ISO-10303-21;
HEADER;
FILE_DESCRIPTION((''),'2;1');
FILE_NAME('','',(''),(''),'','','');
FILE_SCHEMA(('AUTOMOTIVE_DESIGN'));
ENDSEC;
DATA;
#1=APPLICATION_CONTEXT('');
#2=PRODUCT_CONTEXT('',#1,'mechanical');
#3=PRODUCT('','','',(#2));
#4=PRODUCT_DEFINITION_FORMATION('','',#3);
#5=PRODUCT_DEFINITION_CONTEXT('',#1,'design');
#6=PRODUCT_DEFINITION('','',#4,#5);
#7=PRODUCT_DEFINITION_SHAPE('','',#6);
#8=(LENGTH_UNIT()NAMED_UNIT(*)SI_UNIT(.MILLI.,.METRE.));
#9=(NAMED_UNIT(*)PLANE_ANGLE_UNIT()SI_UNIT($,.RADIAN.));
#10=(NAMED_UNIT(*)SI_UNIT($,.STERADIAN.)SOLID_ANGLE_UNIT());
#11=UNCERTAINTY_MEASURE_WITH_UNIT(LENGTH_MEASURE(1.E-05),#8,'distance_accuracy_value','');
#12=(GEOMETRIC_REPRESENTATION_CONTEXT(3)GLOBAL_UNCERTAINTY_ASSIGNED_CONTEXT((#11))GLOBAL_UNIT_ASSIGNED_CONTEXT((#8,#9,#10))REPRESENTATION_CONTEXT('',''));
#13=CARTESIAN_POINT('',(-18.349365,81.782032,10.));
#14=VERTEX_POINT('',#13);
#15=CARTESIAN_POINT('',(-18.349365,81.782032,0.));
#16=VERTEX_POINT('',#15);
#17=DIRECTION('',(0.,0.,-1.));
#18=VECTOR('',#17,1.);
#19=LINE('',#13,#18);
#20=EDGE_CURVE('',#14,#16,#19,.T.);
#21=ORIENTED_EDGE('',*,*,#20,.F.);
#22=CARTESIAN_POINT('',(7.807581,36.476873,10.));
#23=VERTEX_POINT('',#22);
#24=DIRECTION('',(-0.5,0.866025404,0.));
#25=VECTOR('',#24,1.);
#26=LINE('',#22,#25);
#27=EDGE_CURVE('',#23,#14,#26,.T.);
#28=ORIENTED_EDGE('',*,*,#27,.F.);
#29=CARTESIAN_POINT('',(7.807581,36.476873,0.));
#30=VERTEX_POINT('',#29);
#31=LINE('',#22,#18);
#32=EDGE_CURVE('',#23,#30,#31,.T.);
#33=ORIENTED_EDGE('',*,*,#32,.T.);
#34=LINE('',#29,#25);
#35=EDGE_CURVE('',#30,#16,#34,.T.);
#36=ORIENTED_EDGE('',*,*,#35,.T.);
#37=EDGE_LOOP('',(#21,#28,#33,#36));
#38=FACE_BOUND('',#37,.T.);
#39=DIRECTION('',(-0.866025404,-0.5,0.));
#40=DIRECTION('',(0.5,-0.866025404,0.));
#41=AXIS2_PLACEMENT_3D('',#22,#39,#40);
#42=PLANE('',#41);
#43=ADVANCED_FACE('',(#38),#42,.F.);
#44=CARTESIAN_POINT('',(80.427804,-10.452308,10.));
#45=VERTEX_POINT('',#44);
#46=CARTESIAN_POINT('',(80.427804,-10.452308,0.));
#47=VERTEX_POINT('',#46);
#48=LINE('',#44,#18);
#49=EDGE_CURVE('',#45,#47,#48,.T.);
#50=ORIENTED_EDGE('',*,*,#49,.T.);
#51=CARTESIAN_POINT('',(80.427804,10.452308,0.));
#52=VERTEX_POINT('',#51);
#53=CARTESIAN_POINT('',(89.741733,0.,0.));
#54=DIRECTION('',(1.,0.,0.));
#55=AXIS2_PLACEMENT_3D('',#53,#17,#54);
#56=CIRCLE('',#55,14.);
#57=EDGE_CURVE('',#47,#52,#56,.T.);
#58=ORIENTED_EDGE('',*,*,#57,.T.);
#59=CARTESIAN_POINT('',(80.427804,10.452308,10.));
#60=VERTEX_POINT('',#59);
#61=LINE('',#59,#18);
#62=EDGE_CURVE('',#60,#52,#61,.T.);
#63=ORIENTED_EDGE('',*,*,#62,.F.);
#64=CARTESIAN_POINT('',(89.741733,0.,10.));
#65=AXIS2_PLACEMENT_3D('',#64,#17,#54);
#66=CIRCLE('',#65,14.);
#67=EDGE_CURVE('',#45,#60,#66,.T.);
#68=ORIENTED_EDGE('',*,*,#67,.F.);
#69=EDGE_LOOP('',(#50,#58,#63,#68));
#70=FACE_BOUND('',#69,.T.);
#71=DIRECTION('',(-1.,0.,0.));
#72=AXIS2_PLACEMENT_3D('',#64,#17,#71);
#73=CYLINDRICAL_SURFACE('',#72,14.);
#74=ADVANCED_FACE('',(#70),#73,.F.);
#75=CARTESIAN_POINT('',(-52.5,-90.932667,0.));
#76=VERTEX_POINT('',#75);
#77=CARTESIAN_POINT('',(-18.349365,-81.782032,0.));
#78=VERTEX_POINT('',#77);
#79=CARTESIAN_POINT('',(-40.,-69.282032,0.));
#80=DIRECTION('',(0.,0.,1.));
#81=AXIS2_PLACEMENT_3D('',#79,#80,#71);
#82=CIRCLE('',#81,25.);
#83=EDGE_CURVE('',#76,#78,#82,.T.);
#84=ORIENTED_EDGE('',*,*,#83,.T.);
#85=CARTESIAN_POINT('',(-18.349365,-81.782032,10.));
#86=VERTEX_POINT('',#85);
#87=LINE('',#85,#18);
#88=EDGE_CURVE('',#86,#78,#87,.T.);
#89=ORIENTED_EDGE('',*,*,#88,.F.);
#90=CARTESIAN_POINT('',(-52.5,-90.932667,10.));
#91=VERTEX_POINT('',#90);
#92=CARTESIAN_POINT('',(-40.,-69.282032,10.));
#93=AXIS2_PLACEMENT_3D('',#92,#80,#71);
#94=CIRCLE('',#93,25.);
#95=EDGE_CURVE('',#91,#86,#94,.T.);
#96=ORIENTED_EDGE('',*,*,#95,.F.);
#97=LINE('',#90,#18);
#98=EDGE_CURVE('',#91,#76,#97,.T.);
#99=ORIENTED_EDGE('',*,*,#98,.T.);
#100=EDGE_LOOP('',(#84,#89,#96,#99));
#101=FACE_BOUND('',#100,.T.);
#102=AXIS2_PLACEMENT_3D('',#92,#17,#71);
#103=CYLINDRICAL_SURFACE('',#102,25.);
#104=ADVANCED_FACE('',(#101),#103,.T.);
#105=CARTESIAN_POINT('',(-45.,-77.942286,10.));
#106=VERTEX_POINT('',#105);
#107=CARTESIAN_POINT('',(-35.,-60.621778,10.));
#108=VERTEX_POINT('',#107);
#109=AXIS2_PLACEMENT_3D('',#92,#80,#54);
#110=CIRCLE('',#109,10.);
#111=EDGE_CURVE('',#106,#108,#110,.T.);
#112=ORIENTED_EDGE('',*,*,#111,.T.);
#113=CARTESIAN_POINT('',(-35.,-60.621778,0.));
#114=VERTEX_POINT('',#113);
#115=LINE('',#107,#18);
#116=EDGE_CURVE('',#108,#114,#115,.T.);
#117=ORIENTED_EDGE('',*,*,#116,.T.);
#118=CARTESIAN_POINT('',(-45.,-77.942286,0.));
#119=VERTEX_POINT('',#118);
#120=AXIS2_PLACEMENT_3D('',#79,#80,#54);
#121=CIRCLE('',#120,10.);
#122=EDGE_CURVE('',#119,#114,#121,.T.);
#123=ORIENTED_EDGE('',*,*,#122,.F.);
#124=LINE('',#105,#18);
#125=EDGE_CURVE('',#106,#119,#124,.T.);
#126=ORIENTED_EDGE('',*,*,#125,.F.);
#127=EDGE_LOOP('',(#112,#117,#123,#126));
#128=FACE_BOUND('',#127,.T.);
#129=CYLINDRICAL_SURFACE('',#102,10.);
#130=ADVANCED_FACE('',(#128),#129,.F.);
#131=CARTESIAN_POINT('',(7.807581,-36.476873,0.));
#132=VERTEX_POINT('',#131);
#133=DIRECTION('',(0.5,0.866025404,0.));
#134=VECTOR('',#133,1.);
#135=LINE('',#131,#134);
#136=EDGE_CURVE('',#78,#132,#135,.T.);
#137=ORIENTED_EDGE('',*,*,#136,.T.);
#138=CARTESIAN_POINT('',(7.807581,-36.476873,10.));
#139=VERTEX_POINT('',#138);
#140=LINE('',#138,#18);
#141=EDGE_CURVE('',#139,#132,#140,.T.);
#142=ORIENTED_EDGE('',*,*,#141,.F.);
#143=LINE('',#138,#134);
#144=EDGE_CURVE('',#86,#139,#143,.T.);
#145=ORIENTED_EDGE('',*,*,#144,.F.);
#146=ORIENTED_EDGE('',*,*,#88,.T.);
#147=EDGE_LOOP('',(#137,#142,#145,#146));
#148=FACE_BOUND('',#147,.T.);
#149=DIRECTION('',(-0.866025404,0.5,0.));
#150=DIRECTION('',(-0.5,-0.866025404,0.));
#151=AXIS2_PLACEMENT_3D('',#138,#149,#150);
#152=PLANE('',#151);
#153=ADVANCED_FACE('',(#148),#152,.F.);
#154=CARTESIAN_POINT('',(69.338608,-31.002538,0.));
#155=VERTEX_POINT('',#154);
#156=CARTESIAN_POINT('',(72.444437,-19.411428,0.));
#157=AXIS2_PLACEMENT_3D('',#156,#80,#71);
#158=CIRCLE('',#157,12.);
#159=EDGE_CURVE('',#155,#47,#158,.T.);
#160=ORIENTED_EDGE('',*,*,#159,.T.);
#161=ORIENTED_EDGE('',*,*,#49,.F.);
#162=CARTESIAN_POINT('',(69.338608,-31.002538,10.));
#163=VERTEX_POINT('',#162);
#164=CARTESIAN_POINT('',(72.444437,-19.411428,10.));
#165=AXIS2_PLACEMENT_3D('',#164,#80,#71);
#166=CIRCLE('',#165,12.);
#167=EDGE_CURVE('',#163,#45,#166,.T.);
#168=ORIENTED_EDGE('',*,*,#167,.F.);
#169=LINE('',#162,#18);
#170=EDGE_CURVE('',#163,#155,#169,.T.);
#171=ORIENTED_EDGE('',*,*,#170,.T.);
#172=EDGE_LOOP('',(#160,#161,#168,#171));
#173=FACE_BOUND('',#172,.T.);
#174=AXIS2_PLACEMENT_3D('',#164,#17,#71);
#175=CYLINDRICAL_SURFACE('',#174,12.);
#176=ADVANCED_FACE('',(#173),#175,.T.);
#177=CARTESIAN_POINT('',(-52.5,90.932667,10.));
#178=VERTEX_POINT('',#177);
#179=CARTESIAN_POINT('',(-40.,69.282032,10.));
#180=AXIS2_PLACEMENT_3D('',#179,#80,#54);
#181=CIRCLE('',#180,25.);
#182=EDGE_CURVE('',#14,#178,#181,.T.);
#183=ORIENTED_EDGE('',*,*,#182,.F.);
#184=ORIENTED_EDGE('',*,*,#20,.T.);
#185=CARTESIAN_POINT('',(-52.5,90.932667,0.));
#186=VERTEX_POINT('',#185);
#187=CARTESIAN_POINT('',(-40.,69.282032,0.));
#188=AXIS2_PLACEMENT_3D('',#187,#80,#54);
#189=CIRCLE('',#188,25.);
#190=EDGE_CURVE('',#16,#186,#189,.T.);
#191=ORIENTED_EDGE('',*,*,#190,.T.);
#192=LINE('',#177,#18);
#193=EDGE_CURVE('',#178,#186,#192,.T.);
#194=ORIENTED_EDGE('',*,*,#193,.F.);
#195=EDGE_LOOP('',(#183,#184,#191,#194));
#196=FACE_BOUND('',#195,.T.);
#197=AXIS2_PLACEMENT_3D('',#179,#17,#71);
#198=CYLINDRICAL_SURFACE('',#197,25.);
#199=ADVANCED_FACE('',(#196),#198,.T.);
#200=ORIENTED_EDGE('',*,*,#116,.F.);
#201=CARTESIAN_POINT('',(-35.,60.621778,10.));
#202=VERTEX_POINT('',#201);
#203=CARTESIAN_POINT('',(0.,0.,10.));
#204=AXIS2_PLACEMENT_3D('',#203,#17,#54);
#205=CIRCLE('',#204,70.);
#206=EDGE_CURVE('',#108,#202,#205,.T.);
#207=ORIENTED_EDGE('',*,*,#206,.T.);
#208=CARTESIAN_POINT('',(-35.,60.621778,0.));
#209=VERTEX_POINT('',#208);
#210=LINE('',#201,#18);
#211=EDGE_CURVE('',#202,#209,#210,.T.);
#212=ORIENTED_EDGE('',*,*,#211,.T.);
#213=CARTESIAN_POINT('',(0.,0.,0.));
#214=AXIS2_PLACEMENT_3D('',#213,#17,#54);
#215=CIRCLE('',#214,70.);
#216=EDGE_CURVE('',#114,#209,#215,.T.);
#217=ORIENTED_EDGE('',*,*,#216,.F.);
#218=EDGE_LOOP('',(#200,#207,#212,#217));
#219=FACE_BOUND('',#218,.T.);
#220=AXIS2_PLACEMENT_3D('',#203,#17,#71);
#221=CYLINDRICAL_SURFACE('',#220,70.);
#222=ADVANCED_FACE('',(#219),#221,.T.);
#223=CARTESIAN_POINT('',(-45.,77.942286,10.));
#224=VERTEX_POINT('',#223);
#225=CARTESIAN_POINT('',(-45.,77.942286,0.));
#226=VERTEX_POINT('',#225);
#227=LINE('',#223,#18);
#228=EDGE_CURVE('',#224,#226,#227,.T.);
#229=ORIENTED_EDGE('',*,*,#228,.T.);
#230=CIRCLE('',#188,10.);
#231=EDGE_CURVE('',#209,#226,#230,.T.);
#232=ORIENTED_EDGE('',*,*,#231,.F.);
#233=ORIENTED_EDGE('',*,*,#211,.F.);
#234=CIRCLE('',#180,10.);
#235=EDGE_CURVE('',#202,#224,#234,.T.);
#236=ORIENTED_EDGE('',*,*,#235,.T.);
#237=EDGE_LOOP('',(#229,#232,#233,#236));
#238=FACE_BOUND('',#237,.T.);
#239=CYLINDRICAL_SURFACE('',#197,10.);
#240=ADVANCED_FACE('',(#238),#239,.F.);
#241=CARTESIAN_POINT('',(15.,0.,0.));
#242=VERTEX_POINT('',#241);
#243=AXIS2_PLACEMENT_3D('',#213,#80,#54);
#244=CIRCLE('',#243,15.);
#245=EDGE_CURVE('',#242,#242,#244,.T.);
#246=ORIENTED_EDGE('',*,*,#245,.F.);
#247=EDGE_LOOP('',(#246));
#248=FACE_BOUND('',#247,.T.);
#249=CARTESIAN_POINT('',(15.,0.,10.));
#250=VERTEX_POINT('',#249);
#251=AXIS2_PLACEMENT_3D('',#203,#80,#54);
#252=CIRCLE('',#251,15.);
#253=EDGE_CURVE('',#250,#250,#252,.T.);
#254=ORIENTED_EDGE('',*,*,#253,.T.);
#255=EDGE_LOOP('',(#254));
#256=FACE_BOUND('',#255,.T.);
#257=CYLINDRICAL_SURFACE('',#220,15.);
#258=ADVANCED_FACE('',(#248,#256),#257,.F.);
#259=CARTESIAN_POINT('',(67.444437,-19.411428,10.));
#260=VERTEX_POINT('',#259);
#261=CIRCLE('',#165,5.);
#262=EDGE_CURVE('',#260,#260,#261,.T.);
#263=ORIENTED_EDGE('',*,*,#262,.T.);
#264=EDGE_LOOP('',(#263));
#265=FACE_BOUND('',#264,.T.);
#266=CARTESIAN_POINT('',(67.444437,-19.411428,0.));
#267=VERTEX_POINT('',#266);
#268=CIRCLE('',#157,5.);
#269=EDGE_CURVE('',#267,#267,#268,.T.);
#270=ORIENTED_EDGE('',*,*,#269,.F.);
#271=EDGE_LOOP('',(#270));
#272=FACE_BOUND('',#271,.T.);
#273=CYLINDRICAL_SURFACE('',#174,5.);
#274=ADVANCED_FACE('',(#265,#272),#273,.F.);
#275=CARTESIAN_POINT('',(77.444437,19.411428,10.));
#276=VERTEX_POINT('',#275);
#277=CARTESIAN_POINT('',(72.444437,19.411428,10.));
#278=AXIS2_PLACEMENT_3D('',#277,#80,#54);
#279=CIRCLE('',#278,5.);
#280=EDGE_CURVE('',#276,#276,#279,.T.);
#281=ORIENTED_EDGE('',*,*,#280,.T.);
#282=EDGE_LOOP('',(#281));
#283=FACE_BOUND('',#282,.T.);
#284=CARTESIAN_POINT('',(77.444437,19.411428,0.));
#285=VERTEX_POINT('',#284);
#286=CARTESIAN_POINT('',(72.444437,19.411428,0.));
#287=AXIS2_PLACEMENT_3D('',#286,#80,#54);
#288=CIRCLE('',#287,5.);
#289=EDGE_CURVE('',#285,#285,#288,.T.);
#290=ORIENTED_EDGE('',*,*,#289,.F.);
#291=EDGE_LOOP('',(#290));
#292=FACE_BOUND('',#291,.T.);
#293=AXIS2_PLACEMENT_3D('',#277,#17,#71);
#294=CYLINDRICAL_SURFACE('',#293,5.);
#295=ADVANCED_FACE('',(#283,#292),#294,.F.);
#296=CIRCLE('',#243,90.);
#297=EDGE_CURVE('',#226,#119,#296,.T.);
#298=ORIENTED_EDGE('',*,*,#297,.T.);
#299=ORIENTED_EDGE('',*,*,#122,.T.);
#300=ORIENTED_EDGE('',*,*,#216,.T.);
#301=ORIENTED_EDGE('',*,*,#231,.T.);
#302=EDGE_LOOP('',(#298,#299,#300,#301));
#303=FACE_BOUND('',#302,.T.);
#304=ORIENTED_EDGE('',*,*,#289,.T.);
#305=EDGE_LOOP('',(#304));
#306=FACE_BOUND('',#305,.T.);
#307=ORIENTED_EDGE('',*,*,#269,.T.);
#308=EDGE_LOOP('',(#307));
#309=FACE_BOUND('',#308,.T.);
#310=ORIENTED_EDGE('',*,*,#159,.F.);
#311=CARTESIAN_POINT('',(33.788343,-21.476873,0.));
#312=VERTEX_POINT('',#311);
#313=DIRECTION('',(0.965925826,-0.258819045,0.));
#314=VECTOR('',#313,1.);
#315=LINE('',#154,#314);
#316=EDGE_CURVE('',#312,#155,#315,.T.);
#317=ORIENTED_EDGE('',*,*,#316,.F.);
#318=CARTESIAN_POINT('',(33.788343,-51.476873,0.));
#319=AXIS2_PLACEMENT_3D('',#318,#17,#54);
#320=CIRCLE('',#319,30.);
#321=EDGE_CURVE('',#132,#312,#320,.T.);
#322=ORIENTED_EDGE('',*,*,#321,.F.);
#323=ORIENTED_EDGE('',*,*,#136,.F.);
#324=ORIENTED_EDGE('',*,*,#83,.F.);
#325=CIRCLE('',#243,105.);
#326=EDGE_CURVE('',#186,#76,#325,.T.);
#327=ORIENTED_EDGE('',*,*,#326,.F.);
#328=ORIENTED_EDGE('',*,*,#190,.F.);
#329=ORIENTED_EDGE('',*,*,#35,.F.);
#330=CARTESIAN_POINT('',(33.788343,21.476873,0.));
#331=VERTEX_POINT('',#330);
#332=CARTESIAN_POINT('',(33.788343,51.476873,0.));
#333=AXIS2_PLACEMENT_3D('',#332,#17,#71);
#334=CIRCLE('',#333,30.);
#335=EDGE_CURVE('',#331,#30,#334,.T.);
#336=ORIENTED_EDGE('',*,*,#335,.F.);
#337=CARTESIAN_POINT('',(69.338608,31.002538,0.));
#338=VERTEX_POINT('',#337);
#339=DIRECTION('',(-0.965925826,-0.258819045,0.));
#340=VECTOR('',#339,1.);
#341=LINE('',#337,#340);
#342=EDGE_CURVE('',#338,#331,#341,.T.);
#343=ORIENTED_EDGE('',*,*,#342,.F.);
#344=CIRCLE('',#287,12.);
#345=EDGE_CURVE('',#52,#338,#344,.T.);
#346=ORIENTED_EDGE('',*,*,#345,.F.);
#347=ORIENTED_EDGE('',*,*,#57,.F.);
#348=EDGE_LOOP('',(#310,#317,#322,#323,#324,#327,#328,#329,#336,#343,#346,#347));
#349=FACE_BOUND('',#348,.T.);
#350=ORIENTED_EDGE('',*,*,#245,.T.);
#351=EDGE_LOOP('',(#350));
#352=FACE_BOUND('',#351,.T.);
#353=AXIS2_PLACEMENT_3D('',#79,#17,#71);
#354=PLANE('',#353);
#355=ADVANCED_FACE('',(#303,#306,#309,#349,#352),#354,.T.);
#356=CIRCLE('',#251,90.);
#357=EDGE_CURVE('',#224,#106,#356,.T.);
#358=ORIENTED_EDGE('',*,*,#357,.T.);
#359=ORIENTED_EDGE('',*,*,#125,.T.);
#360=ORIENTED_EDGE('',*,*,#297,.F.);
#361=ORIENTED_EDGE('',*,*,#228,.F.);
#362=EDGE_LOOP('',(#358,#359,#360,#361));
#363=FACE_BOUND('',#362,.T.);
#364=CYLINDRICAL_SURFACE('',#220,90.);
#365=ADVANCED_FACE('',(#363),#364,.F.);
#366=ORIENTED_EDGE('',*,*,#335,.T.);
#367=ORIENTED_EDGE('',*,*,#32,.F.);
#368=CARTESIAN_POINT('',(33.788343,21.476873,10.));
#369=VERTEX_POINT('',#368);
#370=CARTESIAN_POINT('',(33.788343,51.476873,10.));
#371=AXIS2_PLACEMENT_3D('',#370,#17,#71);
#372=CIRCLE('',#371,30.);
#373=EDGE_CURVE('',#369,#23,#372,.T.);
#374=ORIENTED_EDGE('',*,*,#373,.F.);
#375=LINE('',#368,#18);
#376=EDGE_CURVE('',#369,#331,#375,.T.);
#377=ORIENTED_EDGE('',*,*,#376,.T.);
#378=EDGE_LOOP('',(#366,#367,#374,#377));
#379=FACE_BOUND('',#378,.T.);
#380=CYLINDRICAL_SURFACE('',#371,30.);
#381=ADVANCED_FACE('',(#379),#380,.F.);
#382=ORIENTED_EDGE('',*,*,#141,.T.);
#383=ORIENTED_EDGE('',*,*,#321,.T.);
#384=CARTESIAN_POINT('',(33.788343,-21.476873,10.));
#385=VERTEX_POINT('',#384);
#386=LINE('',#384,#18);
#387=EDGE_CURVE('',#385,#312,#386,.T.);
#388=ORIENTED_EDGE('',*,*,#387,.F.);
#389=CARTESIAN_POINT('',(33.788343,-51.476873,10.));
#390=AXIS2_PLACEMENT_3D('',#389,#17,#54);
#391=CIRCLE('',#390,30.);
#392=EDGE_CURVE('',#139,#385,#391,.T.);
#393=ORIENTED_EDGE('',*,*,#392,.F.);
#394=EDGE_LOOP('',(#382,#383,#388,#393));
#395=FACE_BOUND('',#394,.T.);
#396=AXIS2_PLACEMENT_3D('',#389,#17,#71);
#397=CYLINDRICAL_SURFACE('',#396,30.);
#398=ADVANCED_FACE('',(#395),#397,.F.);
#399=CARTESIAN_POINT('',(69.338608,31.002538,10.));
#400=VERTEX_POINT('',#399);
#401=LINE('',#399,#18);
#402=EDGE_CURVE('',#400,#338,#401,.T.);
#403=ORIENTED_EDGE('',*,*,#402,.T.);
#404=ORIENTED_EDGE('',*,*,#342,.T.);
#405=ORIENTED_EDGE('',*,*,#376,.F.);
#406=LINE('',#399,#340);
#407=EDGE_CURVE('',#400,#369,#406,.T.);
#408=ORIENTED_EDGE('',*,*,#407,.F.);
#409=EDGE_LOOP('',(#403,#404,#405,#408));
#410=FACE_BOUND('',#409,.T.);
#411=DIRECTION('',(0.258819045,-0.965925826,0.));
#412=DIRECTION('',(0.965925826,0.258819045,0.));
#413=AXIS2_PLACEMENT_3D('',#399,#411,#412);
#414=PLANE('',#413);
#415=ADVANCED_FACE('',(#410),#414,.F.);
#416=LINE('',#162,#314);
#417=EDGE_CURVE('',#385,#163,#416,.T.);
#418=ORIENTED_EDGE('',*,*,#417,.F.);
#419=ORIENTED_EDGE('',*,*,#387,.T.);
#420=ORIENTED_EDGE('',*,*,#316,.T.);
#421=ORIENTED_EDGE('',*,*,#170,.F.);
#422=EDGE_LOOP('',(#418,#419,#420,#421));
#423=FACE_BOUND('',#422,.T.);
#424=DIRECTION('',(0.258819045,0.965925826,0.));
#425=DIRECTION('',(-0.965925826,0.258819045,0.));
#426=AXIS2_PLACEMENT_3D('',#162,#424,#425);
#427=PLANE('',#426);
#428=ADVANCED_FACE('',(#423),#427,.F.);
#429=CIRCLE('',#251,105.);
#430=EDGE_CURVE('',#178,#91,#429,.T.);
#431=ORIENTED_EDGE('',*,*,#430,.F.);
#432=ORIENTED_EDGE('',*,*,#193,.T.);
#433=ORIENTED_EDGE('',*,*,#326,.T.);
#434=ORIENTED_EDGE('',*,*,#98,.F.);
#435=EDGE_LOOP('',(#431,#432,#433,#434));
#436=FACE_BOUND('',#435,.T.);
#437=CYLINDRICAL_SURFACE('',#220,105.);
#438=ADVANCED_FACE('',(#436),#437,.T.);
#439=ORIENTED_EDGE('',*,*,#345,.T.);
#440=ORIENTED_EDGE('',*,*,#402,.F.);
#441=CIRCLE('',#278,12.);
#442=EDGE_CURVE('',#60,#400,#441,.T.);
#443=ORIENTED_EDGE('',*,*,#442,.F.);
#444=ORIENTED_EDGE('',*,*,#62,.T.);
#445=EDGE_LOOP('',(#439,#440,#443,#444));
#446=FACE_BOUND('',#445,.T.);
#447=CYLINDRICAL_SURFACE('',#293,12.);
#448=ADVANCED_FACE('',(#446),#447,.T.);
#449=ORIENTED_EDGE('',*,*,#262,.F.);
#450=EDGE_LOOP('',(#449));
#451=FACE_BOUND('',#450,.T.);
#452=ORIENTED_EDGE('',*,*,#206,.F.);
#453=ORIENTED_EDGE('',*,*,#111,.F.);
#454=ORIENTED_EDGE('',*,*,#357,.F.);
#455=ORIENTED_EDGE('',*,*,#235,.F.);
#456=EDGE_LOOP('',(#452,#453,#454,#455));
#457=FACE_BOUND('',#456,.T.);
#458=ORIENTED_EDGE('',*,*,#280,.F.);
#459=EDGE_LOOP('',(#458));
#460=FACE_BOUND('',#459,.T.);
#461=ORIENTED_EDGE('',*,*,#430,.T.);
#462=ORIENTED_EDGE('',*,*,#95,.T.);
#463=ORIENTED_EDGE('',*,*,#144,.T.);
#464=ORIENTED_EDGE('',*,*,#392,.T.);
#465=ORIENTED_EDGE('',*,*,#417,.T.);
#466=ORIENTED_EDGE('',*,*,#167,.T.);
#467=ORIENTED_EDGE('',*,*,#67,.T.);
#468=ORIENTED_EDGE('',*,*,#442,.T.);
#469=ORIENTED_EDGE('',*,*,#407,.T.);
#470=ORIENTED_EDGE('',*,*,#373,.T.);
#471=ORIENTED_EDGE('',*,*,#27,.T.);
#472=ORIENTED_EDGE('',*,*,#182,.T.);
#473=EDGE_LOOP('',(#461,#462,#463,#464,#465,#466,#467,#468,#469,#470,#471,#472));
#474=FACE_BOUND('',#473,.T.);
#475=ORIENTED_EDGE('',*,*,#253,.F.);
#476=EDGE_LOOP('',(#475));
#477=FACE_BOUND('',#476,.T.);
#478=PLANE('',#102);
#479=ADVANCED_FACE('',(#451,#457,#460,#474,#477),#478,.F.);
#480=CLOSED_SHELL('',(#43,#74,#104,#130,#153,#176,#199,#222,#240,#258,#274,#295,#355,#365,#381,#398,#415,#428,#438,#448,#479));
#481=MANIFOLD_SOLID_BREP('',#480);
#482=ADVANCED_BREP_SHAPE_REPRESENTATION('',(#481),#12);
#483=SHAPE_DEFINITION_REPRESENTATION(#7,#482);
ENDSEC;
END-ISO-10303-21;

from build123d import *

# Parameters (mm, degrees)
SKETCH1_R           = 15
SKETCH1_R_2         = 5
BOSS_EXTRUDE1_DEPTH = 10


with BuildPart() as part:
    # Sketch1 → Boss-Extrude1 (new body)
    with BuildSketch(Plane.XY):
        with BuildLine():
            Line((69.33860843, 31.002538298), (33.788342918, 21.476873363))
            ThreePointArc((33.788342918, 21.476873363), (18.788342918, 25.49611125), (7.807580804, 36.476873363))
            Line((7.807580804, 36.476873363), (-18.349364905, 81.782032303))
            ThreePointArc((-18.349364905, 81.782032303), (-33.529523872, 93.43017796), (-52.5, 90.932667397))
            ThreePointArc((-52.5, 90.932667397), (-105, 0), (-52.5, -90.932667397))
            ThreePointArc((-52.5, -90.932667397), (-33.529523872, -93.43017796), (-18.349364905, -81.782032303))
            Line((-18.349364905, -81.782032303), (7.807580804, -36.476873363))
            ThreePointArc((7.807580804, -36.476873363), (18.788342918, -25.49611125), (33.788342918, -21.476873363))
            Line((33.788342918, -21.476873363), (69.33860843, -31.002538298))
            ThreePointArc((69.33860843, -31.002538298), (83.00500475, -25.110060517), (80.427804346, -10.452307591))
            ThreePointArc((80.427804346, -10.452307591), (75.741732949, 0), (80.427804346, 10.452307591))
            ThreePointArc((80.427804346, 10.452307591), (83.00500475, 25.110060517), (69.33860843, 31.002538298))
        make_face()
        Circle(SKETCH1_R, mode=Mode.SUBTRACT)
        with Locations((72.444436972, 19.411428383)):
            Circle(SKETCH1_R_2, mode=Mode.SUBTRACT)
        with Locations(Location((72.444436972, -19.411428383, 0), (0, 0, 180))):
            Circle(SKETCH1_R_2, mode=Mode.SUBTRACT)
        with BuildLine():
            ThreePointArc((-45, 77.942286341), (-90, 0), (-45, -77.942286341))
            ThreePointArc((-45, -77.942286341), (-31.339745962, -74.282032303), (-35, -60.621778265))
            ThreePointArc((-35, -60.621778265), (-70, 0), (-35, 60.621778265))
            ThreePointArc((-35, 60.621778265), (-31.339745962, 74.282032303), (-45, 77.942286341))
        make_face(mode=Mode.SUBTRACT)
    extrude(amount=BOSS_EXTRUDE1_DEPTH)


solid = part.part
